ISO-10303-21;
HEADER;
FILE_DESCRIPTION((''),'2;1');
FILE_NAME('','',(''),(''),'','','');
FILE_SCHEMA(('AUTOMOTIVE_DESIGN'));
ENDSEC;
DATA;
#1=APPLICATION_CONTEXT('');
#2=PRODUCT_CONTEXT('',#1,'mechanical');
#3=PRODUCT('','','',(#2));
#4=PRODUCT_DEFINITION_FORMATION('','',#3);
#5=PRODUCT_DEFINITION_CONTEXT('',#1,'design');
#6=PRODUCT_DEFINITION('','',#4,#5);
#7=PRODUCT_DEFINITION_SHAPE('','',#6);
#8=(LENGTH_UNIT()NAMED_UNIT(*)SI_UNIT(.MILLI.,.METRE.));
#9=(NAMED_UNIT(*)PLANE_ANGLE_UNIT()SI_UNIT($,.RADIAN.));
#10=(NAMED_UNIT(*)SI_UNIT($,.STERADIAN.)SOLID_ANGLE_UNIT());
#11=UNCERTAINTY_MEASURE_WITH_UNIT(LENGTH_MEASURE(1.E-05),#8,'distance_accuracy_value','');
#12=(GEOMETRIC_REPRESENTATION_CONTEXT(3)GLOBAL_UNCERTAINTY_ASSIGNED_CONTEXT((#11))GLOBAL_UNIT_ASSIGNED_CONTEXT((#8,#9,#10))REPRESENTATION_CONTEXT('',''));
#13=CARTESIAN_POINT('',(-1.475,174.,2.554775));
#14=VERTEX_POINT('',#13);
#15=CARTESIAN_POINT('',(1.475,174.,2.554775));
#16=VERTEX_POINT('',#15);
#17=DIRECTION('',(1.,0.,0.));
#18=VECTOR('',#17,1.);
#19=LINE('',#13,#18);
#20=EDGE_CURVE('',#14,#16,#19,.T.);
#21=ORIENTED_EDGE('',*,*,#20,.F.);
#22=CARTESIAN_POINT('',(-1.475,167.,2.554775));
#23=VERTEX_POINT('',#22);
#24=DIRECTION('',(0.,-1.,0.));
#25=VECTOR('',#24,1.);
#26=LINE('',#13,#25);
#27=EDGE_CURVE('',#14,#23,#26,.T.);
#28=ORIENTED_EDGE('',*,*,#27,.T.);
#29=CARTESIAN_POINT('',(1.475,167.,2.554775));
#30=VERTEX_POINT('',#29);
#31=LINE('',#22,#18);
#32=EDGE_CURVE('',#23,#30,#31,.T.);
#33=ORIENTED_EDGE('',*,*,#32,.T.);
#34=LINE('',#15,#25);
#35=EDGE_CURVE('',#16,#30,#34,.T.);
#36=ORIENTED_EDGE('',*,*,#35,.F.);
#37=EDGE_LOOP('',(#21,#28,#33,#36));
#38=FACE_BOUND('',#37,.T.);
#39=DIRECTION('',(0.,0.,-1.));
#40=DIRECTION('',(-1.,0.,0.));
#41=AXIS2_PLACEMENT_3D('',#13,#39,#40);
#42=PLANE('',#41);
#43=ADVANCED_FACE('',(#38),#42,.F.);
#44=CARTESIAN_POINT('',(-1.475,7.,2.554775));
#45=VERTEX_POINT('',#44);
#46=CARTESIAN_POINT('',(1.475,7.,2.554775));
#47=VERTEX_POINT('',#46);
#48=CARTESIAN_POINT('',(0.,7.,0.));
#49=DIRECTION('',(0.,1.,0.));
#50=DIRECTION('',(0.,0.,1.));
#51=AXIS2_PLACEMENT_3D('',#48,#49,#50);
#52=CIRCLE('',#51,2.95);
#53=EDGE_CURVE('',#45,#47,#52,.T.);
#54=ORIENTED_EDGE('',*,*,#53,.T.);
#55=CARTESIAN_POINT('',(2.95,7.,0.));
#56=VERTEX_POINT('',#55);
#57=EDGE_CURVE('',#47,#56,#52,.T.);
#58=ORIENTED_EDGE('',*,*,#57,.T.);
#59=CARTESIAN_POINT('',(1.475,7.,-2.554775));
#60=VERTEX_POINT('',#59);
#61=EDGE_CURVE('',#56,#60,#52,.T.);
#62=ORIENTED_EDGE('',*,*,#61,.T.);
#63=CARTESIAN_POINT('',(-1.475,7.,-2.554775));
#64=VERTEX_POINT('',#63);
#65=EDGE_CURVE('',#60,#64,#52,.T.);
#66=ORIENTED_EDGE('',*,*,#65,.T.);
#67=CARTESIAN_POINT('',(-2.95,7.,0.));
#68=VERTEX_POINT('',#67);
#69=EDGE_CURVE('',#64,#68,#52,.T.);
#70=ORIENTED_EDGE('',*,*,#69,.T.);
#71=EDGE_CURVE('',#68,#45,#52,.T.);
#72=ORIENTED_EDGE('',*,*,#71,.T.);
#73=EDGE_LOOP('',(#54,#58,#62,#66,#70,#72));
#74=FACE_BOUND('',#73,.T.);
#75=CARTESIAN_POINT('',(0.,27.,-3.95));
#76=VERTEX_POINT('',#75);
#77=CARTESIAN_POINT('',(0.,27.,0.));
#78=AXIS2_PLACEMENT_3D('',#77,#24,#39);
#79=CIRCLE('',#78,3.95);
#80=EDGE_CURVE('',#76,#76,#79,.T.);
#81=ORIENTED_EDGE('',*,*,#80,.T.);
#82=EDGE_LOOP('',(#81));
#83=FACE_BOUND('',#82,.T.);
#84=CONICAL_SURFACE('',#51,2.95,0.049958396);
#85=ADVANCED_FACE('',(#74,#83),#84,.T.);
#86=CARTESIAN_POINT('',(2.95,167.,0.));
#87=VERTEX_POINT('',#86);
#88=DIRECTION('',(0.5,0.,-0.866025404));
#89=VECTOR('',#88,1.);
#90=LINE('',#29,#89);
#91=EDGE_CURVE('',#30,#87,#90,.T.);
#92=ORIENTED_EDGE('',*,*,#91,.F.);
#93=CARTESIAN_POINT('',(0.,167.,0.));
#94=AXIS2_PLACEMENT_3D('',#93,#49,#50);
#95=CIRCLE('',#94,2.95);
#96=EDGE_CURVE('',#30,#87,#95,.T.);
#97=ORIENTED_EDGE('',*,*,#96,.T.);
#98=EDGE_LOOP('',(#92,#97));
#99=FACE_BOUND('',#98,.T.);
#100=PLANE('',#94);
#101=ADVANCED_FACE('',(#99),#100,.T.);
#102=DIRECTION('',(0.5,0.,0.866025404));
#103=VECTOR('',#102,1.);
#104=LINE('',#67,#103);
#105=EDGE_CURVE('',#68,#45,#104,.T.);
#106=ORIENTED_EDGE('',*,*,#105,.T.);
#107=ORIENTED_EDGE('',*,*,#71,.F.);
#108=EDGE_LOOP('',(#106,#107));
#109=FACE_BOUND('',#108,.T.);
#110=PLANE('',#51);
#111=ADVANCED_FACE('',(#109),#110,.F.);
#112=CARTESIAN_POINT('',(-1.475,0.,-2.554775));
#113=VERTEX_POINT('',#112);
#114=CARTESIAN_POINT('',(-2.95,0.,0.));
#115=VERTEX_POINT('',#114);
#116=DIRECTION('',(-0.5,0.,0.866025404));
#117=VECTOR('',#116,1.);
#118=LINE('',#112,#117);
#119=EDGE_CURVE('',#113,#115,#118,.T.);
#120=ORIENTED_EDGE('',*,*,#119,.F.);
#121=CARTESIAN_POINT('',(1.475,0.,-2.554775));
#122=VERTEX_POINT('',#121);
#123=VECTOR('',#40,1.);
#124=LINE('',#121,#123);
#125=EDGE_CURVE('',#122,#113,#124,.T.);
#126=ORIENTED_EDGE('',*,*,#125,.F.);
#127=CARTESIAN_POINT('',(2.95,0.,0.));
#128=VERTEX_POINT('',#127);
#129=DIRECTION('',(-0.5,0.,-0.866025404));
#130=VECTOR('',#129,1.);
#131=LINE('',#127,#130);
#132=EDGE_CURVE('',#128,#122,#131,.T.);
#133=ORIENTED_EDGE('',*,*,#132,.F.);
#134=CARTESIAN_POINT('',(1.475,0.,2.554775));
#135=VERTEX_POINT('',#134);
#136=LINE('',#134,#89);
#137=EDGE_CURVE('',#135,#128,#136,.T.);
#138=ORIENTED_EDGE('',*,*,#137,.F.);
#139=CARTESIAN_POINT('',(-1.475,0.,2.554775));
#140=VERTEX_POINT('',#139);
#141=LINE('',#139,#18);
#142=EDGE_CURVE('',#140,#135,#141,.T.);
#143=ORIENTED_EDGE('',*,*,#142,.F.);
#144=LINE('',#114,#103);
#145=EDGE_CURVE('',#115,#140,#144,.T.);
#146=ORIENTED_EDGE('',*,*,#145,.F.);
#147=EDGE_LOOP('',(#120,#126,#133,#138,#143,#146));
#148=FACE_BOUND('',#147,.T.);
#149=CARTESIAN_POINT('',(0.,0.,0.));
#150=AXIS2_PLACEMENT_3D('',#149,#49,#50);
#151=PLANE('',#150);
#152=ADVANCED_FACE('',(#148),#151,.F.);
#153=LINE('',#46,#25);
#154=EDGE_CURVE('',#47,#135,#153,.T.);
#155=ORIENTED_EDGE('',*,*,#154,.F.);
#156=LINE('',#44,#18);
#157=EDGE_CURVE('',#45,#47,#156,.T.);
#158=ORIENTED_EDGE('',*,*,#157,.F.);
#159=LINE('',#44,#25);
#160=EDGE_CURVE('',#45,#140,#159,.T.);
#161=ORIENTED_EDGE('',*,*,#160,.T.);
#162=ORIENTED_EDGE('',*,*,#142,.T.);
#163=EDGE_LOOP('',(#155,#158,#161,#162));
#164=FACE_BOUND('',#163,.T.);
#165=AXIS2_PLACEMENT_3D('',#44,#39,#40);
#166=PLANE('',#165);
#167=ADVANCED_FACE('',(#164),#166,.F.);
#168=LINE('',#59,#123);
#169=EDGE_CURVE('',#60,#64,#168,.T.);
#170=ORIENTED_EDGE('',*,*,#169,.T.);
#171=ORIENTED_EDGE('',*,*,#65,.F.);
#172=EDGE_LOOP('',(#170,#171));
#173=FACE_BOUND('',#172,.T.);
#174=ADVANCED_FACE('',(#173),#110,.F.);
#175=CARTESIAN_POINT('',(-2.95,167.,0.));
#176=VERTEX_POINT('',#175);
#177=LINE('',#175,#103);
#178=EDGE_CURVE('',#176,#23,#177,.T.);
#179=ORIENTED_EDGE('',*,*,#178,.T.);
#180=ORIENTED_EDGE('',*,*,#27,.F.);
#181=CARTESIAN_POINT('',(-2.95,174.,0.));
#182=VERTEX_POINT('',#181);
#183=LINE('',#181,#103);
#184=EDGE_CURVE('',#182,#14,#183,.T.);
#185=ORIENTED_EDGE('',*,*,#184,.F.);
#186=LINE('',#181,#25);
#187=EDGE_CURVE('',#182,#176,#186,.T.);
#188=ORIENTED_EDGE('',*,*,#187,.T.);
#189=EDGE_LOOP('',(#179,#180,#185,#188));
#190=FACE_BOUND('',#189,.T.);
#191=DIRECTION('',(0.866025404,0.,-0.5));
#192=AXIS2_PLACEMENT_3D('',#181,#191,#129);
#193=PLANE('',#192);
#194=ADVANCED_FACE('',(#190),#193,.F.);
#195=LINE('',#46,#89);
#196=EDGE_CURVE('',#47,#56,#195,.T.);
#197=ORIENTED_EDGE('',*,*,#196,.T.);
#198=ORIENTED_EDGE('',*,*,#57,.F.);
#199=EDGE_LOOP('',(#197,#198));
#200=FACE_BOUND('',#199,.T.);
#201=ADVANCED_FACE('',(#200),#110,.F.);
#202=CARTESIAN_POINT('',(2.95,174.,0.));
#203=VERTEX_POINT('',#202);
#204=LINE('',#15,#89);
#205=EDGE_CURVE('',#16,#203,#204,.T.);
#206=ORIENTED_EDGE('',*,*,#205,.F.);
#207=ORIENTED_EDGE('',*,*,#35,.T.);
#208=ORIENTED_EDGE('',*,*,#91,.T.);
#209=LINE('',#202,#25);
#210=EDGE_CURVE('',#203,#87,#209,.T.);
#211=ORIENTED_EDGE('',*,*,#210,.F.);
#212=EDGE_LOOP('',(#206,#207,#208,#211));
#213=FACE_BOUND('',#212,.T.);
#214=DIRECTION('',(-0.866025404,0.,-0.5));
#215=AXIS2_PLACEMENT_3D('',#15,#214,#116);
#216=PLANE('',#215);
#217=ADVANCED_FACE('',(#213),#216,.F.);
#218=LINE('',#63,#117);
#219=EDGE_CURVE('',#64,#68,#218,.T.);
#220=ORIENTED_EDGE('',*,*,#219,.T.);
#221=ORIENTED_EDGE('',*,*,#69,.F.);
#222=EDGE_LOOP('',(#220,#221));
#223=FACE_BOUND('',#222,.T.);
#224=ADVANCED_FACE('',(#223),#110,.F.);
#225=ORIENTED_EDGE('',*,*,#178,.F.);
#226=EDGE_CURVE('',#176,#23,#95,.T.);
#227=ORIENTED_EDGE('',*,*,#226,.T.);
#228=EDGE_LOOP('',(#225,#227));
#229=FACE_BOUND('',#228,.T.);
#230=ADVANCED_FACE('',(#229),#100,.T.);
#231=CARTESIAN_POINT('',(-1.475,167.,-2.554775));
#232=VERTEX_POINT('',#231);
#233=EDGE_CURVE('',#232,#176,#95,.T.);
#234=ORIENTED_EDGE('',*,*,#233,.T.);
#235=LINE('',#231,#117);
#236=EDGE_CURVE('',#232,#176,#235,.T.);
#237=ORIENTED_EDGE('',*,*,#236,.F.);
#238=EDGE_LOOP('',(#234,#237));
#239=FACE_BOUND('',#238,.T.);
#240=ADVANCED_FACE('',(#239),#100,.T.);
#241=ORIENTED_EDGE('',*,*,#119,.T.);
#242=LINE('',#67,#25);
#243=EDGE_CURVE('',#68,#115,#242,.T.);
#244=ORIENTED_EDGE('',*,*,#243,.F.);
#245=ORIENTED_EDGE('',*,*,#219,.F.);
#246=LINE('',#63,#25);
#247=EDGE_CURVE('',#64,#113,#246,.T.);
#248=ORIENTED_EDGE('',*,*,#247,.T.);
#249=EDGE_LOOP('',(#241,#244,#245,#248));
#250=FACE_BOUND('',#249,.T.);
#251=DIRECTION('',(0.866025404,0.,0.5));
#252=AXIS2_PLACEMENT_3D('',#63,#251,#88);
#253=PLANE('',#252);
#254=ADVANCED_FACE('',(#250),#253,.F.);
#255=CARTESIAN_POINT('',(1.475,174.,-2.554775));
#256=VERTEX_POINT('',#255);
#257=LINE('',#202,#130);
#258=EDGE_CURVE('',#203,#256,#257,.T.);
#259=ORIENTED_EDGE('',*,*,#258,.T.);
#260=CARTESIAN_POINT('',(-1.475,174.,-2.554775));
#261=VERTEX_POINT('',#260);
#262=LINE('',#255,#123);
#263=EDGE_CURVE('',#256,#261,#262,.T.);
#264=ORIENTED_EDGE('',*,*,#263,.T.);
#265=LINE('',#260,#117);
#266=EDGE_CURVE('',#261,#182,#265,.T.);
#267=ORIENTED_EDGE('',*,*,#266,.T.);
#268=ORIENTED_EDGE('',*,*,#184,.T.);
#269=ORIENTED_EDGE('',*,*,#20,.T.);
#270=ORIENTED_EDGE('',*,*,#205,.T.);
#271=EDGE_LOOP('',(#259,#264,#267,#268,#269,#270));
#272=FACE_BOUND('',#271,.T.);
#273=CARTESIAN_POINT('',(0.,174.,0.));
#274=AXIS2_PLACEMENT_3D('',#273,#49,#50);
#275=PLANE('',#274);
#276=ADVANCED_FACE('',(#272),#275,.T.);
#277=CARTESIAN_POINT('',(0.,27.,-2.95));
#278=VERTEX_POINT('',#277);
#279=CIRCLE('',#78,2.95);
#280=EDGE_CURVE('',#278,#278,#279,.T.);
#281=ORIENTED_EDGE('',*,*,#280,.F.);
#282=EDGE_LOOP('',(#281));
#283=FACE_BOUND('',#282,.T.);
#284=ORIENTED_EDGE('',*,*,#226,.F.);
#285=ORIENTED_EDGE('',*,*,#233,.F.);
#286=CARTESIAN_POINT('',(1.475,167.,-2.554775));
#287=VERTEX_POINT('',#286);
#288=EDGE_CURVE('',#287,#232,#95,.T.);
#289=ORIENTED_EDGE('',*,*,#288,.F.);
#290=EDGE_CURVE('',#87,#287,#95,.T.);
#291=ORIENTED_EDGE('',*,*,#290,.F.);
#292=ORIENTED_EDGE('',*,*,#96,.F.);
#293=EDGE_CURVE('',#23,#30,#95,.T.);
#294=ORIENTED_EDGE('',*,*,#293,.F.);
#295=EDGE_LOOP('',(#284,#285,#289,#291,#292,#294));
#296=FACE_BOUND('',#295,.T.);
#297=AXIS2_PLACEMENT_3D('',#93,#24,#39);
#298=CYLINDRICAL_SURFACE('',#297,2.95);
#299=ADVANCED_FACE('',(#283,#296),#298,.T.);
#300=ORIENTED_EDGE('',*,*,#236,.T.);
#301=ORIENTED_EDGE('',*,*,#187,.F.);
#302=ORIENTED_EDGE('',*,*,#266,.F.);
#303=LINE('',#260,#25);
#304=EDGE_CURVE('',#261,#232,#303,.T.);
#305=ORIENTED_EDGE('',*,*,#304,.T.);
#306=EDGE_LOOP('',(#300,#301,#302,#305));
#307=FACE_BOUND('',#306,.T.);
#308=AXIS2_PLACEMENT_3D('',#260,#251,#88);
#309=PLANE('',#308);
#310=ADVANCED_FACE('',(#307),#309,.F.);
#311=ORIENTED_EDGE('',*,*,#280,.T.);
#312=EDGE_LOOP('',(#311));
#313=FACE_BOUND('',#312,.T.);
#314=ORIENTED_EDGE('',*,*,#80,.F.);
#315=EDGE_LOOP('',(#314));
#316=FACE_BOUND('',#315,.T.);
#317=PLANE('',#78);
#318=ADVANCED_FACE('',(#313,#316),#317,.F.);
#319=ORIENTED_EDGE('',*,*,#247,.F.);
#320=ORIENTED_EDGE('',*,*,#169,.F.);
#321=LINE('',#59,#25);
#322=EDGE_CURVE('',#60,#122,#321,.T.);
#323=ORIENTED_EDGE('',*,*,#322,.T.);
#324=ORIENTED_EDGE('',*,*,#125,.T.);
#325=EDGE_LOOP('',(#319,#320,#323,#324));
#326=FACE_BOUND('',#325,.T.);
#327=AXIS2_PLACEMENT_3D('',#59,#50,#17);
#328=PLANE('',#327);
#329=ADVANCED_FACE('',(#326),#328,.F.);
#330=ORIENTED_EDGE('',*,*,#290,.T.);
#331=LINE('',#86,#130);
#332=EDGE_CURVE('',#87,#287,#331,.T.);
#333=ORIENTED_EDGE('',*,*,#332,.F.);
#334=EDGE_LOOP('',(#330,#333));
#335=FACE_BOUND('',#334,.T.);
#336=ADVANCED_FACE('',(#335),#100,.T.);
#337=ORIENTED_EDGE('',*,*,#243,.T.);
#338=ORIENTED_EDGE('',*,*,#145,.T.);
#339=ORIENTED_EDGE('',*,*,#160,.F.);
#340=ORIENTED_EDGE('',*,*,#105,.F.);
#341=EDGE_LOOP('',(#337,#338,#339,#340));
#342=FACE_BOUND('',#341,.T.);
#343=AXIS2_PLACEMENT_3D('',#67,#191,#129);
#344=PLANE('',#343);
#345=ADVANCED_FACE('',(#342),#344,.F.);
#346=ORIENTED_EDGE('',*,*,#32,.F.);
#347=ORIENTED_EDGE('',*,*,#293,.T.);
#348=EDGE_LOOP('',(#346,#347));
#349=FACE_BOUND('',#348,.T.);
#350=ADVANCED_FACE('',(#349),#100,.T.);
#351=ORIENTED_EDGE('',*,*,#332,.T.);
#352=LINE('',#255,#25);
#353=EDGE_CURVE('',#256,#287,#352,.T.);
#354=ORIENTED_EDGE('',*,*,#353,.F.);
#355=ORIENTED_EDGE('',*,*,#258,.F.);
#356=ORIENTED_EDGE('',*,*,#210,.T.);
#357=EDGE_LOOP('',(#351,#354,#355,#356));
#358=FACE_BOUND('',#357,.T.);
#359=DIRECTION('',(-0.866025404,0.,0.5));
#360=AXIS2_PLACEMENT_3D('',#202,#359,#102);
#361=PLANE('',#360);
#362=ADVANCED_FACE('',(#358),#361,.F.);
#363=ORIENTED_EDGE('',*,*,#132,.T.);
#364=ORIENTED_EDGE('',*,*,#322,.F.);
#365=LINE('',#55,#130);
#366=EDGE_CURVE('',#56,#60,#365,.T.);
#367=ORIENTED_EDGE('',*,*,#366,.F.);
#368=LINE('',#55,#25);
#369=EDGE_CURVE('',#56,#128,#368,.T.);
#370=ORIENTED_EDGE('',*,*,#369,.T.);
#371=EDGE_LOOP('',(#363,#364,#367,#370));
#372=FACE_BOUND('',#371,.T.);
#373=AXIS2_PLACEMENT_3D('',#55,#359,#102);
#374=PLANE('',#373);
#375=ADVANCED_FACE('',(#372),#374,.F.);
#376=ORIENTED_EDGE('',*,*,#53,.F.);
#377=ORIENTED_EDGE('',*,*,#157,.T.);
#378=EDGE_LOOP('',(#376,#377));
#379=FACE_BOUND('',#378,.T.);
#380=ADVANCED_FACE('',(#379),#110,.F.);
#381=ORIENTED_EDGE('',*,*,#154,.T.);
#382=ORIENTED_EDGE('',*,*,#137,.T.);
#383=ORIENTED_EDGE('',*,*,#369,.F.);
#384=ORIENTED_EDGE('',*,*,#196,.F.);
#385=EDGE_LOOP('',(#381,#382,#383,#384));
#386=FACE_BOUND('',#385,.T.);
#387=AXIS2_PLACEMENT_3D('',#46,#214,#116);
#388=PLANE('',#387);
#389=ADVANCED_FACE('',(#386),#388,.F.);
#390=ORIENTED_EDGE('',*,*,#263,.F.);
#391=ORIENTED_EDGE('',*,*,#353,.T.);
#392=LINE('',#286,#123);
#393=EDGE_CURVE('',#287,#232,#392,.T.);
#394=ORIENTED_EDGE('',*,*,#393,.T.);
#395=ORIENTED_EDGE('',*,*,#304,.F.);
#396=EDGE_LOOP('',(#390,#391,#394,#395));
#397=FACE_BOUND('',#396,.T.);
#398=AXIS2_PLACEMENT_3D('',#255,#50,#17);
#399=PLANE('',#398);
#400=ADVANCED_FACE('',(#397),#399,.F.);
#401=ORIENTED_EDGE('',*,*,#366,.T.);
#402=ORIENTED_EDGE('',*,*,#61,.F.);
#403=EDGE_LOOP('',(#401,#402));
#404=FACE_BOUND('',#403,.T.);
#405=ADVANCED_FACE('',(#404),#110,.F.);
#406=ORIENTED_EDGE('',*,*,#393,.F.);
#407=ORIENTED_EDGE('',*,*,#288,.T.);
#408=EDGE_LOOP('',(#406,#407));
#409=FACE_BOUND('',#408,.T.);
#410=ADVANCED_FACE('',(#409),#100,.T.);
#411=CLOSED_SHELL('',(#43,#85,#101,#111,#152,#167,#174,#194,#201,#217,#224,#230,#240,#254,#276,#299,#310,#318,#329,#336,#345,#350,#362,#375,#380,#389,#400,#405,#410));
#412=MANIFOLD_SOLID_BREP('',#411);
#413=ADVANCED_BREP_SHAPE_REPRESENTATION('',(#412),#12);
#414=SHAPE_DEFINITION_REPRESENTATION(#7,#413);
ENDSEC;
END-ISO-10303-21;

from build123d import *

# Parameters (mm, degrees)
BOSS_EXTRUDE1_DEPTH = 7
SKETCH2_R           = 2.95
BOSS_EXTRUDE2_DEPTH = 160
SKETCH5_R           = 2.95
SKETCH4_R           = 3.95
BOSS_EXTRUDE3_DEPTH = 7


with BuildPart() as part:
    # Sketch1 → Boss-Extrude1 (new body)
    with BuildSketch(Plane(origin=(0, 0, 0), x_dir=(1, 0, 0), z_dir=(0, 1, 0))):
        Polygon((1.475, -2.554774941), (2.95, 0), (1.475, 2.554774941), (-1.475, 2.554774941), (-2.95, 0), (-1.475, -2.554774941), align=None)
    extrude(amount=BOSS_EXTRUDE1_DEPTH)

    # Sketch2 → Boss-Extrude2 (add)
    with BuildSketch(Plane(origin=(0, 7, 0), x_dir=(1, 0, 0), z_dir=(0, 1, 0))):
        with Locations(Location((0, 0, 0), (0, 0, 60))):
            Circle(SKETCH2_R)
    extrude(amount=BOSS_EXTRUDE2_DEPTH)

    # Sketch5 → Loft1 section 0
    with BuildSketch(Plane.XZ.offset(-7)):
        Circle(SKETCH5_R)
    # Sketch4 → Loft1 section 1
    with BuildSketch(Plane(origin=(0, 27, 0), x_dir=(-1, 0, 0), z_dir=(0, -1, 0))):
        Circle(SKETCH4_R)
    loft()

    # Sketch6 → Boss-Extrude3 (add)
    with BuildSketch(Plane(origin=(0, 167, 0), x_dir=(1, 0, 0), z_dir=(0, 1, 0))):
        Polygon((1.475, -2.554774941), (2.95, 0), (1.475, 2.554774941), (-1.475, 2.554774941), (-2.95, 0), (-1.475, -2.554774941), align=None)
    extrude(amount=BOSS_EXTRUDE3_DEPTH)


solid = part.part
